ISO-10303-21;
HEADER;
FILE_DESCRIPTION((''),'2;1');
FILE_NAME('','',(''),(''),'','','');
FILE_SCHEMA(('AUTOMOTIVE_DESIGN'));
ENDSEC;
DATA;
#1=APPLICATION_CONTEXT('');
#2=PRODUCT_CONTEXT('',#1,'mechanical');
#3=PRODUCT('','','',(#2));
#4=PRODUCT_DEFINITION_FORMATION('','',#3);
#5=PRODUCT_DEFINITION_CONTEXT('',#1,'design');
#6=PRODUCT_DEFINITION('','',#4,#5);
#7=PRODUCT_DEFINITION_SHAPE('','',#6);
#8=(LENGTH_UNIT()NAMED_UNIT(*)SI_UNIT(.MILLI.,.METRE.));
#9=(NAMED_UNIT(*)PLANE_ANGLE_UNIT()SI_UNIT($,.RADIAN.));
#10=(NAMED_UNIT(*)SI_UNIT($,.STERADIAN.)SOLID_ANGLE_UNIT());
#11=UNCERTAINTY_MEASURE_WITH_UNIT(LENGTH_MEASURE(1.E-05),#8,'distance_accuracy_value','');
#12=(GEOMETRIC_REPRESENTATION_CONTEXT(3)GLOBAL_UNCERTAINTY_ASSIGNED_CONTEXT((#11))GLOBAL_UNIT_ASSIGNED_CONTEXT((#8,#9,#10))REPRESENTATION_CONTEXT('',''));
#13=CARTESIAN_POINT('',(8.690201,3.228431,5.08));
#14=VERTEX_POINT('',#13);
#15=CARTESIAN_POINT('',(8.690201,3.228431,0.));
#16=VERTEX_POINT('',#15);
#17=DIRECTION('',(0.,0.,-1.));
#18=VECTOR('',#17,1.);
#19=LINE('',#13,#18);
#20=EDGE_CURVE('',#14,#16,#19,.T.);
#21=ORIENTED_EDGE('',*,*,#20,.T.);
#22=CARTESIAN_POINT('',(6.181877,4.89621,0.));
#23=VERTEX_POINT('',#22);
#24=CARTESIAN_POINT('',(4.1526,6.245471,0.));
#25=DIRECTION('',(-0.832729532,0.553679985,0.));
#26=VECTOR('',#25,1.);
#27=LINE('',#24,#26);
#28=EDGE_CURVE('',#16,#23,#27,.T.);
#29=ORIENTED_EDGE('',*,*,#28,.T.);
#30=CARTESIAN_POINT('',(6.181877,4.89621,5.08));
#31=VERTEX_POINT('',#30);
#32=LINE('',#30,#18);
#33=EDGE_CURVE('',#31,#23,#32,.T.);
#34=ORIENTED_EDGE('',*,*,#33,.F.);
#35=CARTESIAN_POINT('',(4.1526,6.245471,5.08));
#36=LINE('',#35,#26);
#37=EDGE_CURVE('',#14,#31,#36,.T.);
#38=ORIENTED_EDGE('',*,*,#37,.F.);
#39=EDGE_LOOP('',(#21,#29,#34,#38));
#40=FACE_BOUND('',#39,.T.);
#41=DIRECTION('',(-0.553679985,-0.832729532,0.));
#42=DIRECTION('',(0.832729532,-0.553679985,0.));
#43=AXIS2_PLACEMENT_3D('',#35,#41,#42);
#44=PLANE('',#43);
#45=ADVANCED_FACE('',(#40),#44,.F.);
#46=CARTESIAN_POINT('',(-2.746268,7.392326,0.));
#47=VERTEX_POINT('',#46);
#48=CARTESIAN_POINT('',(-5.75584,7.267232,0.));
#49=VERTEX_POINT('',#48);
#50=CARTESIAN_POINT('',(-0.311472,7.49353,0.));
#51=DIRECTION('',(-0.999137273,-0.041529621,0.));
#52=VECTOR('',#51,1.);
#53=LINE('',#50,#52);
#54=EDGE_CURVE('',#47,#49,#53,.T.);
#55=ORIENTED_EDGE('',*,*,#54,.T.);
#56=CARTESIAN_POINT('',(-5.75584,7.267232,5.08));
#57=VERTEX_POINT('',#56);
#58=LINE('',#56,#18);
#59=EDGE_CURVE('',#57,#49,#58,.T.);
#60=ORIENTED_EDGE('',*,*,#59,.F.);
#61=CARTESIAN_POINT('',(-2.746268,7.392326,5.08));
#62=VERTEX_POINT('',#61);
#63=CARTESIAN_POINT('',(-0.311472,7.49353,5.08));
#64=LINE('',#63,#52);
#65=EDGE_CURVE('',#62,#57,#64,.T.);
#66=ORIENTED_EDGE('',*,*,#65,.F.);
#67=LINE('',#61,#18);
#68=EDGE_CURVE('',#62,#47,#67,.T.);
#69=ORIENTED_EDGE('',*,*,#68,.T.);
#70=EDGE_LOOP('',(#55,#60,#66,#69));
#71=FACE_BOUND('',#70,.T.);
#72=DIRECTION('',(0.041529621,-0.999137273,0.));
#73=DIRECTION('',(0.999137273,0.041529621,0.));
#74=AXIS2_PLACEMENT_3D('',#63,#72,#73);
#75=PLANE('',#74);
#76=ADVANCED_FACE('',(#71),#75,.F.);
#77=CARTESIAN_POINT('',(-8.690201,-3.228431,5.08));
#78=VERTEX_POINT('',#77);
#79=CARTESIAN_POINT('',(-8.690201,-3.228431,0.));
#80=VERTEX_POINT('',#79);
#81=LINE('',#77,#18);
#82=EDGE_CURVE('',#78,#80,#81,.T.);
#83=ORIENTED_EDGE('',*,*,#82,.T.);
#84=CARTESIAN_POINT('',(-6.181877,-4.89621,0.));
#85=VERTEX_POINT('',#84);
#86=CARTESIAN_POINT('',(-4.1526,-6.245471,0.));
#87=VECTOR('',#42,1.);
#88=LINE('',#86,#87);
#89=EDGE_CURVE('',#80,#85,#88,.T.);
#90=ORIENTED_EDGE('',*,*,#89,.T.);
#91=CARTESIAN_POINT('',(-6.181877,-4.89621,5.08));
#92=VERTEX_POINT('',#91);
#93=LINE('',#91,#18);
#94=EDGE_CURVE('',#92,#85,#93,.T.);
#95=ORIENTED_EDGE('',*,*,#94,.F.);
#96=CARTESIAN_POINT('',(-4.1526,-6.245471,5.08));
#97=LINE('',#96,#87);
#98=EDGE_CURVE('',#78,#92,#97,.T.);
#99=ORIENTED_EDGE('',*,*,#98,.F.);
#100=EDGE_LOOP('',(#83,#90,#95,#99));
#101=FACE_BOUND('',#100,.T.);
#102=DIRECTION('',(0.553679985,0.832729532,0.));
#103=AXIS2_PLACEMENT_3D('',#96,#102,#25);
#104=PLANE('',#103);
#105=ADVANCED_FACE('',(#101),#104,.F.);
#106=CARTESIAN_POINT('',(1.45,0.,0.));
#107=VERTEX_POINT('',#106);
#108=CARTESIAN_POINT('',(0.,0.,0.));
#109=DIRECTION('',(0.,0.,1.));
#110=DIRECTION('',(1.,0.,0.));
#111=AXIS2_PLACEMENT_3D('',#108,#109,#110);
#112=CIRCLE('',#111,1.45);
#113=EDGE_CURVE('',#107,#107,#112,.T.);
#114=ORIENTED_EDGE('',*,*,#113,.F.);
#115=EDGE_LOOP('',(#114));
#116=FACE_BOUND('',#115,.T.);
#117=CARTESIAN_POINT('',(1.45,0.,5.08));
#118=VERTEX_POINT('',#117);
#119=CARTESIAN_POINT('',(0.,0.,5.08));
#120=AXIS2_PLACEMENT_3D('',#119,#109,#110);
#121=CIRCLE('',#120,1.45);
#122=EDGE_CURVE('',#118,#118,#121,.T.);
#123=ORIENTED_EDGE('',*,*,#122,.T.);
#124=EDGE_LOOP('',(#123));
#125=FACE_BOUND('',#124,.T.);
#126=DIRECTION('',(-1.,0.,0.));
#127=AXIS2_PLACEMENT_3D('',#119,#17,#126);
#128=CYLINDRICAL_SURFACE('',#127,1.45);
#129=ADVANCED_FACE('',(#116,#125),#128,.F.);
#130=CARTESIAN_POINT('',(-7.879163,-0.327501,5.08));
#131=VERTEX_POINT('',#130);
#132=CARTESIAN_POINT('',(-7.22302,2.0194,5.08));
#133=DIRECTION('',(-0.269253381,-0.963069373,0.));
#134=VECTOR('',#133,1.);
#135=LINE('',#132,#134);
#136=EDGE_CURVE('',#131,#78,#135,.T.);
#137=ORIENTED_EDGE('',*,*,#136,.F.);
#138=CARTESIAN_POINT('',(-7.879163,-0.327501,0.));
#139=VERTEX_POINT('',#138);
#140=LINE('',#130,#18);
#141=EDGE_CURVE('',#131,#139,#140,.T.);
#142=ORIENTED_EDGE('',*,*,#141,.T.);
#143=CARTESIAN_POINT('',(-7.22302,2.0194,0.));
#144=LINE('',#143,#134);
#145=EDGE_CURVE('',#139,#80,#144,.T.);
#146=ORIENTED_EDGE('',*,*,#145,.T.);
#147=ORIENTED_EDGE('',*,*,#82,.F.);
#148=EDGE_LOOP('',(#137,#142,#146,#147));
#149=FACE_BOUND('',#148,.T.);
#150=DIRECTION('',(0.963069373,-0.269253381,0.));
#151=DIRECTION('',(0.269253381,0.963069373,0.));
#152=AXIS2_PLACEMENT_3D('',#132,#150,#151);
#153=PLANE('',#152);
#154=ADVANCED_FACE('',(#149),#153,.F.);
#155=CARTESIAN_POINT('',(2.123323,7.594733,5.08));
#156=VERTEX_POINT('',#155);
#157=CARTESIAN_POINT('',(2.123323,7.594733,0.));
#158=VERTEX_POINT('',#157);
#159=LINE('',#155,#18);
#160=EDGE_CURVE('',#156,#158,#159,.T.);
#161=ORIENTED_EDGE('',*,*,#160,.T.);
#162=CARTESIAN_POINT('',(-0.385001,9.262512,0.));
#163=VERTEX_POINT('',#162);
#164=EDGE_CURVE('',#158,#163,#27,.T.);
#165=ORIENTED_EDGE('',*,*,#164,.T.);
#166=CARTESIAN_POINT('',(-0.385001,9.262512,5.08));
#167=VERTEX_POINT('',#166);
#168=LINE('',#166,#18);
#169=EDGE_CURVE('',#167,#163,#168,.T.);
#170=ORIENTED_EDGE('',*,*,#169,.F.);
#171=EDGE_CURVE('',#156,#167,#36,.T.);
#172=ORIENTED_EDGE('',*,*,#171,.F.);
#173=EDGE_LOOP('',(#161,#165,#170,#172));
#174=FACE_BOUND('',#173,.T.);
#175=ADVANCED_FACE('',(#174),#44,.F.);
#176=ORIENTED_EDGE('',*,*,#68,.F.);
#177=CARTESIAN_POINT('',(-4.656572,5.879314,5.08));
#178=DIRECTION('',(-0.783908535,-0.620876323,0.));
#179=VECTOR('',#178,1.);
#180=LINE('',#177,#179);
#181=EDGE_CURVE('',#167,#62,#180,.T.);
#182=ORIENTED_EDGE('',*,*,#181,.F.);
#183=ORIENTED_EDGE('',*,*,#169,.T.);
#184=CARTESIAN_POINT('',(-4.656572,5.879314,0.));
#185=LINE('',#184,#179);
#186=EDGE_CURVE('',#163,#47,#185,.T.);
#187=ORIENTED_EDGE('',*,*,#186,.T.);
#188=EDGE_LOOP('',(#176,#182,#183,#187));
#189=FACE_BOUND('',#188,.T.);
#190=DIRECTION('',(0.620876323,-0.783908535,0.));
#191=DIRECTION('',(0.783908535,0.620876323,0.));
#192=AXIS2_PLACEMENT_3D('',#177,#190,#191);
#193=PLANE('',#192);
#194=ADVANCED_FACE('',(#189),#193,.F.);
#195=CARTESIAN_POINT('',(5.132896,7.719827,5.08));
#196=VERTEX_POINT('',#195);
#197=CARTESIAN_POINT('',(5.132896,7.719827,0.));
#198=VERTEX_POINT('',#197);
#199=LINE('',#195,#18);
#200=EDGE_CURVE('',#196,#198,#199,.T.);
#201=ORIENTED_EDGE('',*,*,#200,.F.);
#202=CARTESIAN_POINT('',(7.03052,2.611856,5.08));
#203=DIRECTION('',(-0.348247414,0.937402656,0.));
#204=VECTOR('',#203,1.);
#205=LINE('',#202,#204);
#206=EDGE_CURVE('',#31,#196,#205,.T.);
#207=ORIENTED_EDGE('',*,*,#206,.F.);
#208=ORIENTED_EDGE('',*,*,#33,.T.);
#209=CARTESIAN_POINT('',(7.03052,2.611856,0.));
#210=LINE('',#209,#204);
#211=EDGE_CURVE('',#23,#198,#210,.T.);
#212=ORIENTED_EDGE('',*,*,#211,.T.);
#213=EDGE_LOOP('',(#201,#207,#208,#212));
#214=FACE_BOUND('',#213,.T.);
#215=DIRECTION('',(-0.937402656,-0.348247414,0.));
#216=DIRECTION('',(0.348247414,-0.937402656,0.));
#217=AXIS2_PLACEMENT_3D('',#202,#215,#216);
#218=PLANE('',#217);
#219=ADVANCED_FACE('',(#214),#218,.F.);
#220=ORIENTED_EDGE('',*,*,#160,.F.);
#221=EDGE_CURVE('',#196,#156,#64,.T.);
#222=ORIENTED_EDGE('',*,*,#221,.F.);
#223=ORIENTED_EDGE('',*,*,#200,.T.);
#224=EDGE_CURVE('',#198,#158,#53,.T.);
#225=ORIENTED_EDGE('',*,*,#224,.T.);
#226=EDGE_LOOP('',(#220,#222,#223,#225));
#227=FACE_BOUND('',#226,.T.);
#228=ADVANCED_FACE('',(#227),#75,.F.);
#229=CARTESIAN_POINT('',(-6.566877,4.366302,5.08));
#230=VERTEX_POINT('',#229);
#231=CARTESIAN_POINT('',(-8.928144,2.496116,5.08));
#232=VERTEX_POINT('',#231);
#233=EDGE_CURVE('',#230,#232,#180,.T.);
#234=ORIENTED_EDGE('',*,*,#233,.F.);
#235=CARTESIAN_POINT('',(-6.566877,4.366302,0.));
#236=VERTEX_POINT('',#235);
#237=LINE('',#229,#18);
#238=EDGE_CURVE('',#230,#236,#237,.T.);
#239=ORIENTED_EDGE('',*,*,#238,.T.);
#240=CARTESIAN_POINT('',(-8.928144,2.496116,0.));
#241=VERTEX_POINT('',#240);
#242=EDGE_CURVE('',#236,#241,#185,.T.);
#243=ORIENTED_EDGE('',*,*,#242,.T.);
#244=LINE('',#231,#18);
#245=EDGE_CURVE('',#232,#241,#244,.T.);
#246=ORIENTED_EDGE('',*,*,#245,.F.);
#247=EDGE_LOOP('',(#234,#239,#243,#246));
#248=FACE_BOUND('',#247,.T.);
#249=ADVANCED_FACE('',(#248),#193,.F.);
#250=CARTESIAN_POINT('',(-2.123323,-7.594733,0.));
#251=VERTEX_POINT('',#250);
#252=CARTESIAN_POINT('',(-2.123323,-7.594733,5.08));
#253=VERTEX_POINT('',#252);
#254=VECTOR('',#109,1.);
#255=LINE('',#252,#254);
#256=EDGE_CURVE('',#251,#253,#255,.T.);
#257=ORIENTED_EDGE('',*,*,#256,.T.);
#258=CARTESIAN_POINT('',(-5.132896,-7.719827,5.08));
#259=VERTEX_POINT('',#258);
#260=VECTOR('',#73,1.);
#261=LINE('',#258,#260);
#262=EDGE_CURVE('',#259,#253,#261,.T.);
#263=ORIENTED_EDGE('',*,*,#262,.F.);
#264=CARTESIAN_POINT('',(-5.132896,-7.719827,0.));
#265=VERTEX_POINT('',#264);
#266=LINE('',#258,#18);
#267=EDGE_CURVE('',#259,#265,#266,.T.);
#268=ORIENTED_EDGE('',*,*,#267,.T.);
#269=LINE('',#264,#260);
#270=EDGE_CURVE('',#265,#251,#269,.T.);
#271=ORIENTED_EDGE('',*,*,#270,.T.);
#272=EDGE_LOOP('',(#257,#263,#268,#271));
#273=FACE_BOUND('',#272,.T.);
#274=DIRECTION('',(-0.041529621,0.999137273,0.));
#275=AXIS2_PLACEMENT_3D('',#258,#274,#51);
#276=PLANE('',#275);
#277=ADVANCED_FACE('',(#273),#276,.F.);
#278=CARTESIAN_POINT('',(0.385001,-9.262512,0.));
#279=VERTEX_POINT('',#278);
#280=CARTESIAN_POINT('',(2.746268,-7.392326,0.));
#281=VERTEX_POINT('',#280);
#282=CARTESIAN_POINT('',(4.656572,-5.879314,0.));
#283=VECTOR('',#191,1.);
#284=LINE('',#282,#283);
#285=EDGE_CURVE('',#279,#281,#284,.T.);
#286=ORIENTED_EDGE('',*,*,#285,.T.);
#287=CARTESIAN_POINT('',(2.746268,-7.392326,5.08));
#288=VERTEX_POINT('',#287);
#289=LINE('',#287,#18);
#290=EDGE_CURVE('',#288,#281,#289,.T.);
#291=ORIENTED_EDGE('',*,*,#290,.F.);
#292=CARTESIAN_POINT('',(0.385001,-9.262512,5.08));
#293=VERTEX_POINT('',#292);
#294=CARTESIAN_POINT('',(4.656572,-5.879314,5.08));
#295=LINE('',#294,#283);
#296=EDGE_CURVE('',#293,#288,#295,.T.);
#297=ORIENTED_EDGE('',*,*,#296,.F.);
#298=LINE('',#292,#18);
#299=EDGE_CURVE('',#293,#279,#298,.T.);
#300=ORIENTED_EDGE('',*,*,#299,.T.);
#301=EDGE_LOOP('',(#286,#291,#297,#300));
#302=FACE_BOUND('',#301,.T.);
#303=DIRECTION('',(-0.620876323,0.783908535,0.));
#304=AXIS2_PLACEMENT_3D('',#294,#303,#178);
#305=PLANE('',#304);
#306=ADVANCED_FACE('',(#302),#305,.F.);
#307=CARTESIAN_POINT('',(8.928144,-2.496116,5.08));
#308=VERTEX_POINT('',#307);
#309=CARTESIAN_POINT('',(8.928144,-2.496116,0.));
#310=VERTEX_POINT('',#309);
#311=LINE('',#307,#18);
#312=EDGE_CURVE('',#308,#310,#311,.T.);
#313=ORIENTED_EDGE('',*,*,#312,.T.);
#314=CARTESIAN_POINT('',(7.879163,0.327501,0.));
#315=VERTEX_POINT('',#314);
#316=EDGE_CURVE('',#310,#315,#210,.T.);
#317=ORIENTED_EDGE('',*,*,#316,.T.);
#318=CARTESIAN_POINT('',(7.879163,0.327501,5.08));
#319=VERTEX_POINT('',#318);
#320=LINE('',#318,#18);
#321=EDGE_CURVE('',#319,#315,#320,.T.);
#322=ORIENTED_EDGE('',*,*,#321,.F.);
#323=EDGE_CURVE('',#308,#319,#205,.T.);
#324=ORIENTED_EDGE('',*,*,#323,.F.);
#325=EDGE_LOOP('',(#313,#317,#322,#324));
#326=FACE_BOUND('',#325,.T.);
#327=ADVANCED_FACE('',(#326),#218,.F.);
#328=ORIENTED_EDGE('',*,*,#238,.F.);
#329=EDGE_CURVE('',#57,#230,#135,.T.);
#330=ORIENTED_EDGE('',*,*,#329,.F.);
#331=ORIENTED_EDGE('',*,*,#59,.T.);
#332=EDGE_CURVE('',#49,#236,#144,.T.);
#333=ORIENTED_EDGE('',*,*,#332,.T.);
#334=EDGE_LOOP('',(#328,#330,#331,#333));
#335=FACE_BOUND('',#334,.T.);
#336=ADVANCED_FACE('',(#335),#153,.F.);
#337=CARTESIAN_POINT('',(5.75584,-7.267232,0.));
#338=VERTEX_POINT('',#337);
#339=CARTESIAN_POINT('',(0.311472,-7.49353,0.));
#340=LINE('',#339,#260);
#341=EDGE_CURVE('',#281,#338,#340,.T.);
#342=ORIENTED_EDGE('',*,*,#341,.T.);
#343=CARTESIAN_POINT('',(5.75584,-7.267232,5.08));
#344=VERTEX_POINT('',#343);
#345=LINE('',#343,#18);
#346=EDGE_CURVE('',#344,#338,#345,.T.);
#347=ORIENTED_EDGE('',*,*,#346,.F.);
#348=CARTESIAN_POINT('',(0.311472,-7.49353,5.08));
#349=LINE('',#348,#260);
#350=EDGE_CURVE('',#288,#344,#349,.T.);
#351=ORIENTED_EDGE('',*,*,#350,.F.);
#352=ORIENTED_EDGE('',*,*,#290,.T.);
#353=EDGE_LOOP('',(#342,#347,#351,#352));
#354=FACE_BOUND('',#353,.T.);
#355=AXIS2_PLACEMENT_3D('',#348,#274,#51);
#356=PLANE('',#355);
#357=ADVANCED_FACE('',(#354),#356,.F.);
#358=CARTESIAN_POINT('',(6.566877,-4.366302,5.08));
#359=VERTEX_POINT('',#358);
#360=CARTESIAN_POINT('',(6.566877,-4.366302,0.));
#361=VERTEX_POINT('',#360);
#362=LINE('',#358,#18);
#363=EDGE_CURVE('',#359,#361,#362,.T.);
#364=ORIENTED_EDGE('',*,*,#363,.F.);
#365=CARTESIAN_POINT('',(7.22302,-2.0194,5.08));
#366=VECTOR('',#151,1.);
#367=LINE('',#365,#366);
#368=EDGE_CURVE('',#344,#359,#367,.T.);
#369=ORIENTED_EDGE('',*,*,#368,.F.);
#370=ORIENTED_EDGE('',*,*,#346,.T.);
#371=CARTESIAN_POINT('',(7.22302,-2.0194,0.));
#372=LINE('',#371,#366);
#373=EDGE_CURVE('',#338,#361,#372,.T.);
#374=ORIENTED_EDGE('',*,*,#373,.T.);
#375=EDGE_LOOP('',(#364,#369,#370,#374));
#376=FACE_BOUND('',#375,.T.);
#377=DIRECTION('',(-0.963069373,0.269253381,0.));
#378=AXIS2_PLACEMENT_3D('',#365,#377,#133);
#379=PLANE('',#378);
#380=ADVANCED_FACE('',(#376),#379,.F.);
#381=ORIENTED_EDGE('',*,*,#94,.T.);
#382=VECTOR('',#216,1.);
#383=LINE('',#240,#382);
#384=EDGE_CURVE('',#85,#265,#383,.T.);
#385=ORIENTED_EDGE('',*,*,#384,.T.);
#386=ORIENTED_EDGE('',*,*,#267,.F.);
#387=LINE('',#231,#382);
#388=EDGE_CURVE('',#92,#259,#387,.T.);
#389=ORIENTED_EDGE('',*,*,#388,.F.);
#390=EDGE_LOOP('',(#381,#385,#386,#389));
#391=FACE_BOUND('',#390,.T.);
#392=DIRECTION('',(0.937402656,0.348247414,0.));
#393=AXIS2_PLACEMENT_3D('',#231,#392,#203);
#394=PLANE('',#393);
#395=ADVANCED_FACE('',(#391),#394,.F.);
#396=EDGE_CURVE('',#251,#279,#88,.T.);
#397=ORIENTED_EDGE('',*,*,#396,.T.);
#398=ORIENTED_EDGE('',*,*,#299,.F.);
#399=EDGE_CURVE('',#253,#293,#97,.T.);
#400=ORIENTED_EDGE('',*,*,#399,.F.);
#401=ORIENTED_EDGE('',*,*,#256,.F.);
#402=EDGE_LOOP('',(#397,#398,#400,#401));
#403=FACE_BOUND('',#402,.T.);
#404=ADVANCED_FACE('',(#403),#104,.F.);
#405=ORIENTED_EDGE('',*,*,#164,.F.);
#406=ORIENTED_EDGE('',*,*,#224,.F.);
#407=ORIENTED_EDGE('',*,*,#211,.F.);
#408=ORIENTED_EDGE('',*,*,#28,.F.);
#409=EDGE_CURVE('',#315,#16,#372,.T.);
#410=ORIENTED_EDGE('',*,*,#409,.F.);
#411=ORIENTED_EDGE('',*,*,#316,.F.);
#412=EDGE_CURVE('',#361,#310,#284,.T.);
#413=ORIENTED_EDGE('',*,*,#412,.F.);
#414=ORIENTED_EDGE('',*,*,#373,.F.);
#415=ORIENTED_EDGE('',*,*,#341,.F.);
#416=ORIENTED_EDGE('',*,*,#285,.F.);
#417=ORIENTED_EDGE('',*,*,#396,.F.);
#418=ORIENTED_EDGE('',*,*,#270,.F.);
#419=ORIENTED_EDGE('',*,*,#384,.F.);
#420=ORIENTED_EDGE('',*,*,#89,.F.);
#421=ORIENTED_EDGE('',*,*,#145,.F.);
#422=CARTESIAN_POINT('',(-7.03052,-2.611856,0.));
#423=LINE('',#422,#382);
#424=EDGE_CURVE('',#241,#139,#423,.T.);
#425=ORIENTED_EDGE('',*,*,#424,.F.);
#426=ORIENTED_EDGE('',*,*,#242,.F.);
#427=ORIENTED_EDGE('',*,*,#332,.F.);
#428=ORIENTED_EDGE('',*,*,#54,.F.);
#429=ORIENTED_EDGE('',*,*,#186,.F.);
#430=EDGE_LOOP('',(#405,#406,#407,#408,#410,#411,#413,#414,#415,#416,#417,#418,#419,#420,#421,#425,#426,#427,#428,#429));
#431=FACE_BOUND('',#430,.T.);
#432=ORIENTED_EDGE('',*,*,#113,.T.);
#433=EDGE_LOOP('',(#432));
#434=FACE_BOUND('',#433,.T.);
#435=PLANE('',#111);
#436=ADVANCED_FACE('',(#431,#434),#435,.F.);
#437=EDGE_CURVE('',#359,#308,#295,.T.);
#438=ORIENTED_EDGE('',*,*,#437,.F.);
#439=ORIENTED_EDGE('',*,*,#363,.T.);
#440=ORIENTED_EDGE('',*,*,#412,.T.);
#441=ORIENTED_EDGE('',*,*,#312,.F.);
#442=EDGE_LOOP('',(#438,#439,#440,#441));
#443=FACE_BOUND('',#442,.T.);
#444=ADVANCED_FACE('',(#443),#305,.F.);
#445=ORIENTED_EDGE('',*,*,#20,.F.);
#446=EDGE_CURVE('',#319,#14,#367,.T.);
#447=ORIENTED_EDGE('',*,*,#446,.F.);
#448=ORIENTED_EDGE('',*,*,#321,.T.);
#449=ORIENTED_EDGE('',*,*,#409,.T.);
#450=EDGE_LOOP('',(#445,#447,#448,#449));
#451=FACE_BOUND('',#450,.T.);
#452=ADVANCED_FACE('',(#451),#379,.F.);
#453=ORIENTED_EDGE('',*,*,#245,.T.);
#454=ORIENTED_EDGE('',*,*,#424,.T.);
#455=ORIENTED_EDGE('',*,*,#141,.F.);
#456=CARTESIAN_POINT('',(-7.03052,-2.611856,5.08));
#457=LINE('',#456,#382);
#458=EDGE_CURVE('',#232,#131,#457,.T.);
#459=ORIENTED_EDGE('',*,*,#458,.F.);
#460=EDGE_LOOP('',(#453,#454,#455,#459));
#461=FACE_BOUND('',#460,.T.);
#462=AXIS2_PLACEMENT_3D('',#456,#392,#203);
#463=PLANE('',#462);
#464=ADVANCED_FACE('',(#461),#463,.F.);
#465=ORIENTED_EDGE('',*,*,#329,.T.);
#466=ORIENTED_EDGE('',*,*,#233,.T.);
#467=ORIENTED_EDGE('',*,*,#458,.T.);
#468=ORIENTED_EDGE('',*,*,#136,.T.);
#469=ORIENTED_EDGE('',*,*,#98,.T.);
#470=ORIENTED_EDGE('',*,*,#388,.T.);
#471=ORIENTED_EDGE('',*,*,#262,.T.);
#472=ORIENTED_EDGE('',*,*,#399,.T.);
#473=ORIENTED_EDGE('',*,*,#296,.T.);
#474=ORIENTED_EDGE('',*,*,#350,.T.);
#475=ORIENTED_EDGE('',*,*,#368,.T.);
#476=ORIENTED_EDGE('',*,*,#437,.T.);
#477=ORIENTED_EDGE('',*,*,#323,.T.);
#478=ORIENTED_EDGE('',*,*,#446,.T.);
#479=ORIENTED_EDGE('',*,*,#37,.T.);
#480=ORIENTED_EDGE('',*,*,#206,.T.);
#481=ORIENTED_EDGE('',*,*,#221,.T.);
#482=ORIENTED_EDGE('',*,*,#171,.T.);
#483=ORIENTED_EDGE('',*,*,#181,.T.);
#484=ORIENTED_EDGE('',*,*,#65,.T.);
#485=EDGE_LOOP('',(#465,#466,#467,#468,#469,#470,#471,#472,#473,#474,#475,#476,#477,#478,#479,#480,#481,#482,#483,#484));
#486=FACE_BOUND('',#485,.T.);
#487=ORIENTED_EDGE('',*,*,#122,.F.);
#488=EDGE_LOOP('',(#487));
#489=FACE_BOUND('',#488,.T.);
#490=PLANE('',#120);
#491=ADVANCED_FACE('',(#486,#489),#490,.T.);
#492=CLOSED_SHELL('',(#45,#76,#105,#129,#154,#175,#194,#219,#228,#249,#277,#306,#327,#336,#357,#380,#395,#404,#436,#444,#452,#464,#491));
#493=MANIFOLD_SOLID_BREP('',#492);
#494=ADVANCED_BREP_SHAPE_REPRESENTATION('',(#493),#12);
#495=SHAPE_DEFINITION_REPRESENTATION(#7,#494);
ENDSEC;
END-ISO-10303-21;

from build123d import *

# Parameters (mm, degrees)
BOSS_EXTRUDE1_DEPTH = 5.08
SKETCH2_3_R         = 1.45
CUT_EXTRUDE1_DEPTH  = 14.831568379


with BuildPart() as part:
    # Sketch2 → Boss-Extrude1 (new body)
    with BuildSketch(Plane.XY):
        Polygon((6.181876589, 4.896209998), (5.132895747, 7.719827316), (2.123323189, 7.594732987), (-0.385000757, 9.262511914), (-2.7462675, 7.392326111), (-5.755840057, 7.267231781), (-6.566877347, 4.366301916), (-8.928144089, 2.496116113), (-7.879163247, -0.327501205), (-8.690200536, -3.228431071), (-6.181876589, -4.896209998), (-5.132895747, -7.719827316), (-2.123323189, -7.594732987), (0.385000757, -9.262511914), (2.7462675, -7.392326111), (5.755840057, -7.267231781), (6.566877347, -4.366301916), (8.928144089, -2.496116113), (7.879163247, 0.327501205), (8.690200536, 3.228431071), align=None)
    extrude(amount=BOSS_EXTRUDE1_DEPTH)

    # Sketch2<3> → Cut-Extrude1 (cut, through all)
    with BuildSketch(Plane.XY):
        Circle(SKETCH2_3_R)
    extrude(amount=CUT_EXTRUDE1_DEPTH, mode=Mode.SUBTRACT)


solid = part.part
